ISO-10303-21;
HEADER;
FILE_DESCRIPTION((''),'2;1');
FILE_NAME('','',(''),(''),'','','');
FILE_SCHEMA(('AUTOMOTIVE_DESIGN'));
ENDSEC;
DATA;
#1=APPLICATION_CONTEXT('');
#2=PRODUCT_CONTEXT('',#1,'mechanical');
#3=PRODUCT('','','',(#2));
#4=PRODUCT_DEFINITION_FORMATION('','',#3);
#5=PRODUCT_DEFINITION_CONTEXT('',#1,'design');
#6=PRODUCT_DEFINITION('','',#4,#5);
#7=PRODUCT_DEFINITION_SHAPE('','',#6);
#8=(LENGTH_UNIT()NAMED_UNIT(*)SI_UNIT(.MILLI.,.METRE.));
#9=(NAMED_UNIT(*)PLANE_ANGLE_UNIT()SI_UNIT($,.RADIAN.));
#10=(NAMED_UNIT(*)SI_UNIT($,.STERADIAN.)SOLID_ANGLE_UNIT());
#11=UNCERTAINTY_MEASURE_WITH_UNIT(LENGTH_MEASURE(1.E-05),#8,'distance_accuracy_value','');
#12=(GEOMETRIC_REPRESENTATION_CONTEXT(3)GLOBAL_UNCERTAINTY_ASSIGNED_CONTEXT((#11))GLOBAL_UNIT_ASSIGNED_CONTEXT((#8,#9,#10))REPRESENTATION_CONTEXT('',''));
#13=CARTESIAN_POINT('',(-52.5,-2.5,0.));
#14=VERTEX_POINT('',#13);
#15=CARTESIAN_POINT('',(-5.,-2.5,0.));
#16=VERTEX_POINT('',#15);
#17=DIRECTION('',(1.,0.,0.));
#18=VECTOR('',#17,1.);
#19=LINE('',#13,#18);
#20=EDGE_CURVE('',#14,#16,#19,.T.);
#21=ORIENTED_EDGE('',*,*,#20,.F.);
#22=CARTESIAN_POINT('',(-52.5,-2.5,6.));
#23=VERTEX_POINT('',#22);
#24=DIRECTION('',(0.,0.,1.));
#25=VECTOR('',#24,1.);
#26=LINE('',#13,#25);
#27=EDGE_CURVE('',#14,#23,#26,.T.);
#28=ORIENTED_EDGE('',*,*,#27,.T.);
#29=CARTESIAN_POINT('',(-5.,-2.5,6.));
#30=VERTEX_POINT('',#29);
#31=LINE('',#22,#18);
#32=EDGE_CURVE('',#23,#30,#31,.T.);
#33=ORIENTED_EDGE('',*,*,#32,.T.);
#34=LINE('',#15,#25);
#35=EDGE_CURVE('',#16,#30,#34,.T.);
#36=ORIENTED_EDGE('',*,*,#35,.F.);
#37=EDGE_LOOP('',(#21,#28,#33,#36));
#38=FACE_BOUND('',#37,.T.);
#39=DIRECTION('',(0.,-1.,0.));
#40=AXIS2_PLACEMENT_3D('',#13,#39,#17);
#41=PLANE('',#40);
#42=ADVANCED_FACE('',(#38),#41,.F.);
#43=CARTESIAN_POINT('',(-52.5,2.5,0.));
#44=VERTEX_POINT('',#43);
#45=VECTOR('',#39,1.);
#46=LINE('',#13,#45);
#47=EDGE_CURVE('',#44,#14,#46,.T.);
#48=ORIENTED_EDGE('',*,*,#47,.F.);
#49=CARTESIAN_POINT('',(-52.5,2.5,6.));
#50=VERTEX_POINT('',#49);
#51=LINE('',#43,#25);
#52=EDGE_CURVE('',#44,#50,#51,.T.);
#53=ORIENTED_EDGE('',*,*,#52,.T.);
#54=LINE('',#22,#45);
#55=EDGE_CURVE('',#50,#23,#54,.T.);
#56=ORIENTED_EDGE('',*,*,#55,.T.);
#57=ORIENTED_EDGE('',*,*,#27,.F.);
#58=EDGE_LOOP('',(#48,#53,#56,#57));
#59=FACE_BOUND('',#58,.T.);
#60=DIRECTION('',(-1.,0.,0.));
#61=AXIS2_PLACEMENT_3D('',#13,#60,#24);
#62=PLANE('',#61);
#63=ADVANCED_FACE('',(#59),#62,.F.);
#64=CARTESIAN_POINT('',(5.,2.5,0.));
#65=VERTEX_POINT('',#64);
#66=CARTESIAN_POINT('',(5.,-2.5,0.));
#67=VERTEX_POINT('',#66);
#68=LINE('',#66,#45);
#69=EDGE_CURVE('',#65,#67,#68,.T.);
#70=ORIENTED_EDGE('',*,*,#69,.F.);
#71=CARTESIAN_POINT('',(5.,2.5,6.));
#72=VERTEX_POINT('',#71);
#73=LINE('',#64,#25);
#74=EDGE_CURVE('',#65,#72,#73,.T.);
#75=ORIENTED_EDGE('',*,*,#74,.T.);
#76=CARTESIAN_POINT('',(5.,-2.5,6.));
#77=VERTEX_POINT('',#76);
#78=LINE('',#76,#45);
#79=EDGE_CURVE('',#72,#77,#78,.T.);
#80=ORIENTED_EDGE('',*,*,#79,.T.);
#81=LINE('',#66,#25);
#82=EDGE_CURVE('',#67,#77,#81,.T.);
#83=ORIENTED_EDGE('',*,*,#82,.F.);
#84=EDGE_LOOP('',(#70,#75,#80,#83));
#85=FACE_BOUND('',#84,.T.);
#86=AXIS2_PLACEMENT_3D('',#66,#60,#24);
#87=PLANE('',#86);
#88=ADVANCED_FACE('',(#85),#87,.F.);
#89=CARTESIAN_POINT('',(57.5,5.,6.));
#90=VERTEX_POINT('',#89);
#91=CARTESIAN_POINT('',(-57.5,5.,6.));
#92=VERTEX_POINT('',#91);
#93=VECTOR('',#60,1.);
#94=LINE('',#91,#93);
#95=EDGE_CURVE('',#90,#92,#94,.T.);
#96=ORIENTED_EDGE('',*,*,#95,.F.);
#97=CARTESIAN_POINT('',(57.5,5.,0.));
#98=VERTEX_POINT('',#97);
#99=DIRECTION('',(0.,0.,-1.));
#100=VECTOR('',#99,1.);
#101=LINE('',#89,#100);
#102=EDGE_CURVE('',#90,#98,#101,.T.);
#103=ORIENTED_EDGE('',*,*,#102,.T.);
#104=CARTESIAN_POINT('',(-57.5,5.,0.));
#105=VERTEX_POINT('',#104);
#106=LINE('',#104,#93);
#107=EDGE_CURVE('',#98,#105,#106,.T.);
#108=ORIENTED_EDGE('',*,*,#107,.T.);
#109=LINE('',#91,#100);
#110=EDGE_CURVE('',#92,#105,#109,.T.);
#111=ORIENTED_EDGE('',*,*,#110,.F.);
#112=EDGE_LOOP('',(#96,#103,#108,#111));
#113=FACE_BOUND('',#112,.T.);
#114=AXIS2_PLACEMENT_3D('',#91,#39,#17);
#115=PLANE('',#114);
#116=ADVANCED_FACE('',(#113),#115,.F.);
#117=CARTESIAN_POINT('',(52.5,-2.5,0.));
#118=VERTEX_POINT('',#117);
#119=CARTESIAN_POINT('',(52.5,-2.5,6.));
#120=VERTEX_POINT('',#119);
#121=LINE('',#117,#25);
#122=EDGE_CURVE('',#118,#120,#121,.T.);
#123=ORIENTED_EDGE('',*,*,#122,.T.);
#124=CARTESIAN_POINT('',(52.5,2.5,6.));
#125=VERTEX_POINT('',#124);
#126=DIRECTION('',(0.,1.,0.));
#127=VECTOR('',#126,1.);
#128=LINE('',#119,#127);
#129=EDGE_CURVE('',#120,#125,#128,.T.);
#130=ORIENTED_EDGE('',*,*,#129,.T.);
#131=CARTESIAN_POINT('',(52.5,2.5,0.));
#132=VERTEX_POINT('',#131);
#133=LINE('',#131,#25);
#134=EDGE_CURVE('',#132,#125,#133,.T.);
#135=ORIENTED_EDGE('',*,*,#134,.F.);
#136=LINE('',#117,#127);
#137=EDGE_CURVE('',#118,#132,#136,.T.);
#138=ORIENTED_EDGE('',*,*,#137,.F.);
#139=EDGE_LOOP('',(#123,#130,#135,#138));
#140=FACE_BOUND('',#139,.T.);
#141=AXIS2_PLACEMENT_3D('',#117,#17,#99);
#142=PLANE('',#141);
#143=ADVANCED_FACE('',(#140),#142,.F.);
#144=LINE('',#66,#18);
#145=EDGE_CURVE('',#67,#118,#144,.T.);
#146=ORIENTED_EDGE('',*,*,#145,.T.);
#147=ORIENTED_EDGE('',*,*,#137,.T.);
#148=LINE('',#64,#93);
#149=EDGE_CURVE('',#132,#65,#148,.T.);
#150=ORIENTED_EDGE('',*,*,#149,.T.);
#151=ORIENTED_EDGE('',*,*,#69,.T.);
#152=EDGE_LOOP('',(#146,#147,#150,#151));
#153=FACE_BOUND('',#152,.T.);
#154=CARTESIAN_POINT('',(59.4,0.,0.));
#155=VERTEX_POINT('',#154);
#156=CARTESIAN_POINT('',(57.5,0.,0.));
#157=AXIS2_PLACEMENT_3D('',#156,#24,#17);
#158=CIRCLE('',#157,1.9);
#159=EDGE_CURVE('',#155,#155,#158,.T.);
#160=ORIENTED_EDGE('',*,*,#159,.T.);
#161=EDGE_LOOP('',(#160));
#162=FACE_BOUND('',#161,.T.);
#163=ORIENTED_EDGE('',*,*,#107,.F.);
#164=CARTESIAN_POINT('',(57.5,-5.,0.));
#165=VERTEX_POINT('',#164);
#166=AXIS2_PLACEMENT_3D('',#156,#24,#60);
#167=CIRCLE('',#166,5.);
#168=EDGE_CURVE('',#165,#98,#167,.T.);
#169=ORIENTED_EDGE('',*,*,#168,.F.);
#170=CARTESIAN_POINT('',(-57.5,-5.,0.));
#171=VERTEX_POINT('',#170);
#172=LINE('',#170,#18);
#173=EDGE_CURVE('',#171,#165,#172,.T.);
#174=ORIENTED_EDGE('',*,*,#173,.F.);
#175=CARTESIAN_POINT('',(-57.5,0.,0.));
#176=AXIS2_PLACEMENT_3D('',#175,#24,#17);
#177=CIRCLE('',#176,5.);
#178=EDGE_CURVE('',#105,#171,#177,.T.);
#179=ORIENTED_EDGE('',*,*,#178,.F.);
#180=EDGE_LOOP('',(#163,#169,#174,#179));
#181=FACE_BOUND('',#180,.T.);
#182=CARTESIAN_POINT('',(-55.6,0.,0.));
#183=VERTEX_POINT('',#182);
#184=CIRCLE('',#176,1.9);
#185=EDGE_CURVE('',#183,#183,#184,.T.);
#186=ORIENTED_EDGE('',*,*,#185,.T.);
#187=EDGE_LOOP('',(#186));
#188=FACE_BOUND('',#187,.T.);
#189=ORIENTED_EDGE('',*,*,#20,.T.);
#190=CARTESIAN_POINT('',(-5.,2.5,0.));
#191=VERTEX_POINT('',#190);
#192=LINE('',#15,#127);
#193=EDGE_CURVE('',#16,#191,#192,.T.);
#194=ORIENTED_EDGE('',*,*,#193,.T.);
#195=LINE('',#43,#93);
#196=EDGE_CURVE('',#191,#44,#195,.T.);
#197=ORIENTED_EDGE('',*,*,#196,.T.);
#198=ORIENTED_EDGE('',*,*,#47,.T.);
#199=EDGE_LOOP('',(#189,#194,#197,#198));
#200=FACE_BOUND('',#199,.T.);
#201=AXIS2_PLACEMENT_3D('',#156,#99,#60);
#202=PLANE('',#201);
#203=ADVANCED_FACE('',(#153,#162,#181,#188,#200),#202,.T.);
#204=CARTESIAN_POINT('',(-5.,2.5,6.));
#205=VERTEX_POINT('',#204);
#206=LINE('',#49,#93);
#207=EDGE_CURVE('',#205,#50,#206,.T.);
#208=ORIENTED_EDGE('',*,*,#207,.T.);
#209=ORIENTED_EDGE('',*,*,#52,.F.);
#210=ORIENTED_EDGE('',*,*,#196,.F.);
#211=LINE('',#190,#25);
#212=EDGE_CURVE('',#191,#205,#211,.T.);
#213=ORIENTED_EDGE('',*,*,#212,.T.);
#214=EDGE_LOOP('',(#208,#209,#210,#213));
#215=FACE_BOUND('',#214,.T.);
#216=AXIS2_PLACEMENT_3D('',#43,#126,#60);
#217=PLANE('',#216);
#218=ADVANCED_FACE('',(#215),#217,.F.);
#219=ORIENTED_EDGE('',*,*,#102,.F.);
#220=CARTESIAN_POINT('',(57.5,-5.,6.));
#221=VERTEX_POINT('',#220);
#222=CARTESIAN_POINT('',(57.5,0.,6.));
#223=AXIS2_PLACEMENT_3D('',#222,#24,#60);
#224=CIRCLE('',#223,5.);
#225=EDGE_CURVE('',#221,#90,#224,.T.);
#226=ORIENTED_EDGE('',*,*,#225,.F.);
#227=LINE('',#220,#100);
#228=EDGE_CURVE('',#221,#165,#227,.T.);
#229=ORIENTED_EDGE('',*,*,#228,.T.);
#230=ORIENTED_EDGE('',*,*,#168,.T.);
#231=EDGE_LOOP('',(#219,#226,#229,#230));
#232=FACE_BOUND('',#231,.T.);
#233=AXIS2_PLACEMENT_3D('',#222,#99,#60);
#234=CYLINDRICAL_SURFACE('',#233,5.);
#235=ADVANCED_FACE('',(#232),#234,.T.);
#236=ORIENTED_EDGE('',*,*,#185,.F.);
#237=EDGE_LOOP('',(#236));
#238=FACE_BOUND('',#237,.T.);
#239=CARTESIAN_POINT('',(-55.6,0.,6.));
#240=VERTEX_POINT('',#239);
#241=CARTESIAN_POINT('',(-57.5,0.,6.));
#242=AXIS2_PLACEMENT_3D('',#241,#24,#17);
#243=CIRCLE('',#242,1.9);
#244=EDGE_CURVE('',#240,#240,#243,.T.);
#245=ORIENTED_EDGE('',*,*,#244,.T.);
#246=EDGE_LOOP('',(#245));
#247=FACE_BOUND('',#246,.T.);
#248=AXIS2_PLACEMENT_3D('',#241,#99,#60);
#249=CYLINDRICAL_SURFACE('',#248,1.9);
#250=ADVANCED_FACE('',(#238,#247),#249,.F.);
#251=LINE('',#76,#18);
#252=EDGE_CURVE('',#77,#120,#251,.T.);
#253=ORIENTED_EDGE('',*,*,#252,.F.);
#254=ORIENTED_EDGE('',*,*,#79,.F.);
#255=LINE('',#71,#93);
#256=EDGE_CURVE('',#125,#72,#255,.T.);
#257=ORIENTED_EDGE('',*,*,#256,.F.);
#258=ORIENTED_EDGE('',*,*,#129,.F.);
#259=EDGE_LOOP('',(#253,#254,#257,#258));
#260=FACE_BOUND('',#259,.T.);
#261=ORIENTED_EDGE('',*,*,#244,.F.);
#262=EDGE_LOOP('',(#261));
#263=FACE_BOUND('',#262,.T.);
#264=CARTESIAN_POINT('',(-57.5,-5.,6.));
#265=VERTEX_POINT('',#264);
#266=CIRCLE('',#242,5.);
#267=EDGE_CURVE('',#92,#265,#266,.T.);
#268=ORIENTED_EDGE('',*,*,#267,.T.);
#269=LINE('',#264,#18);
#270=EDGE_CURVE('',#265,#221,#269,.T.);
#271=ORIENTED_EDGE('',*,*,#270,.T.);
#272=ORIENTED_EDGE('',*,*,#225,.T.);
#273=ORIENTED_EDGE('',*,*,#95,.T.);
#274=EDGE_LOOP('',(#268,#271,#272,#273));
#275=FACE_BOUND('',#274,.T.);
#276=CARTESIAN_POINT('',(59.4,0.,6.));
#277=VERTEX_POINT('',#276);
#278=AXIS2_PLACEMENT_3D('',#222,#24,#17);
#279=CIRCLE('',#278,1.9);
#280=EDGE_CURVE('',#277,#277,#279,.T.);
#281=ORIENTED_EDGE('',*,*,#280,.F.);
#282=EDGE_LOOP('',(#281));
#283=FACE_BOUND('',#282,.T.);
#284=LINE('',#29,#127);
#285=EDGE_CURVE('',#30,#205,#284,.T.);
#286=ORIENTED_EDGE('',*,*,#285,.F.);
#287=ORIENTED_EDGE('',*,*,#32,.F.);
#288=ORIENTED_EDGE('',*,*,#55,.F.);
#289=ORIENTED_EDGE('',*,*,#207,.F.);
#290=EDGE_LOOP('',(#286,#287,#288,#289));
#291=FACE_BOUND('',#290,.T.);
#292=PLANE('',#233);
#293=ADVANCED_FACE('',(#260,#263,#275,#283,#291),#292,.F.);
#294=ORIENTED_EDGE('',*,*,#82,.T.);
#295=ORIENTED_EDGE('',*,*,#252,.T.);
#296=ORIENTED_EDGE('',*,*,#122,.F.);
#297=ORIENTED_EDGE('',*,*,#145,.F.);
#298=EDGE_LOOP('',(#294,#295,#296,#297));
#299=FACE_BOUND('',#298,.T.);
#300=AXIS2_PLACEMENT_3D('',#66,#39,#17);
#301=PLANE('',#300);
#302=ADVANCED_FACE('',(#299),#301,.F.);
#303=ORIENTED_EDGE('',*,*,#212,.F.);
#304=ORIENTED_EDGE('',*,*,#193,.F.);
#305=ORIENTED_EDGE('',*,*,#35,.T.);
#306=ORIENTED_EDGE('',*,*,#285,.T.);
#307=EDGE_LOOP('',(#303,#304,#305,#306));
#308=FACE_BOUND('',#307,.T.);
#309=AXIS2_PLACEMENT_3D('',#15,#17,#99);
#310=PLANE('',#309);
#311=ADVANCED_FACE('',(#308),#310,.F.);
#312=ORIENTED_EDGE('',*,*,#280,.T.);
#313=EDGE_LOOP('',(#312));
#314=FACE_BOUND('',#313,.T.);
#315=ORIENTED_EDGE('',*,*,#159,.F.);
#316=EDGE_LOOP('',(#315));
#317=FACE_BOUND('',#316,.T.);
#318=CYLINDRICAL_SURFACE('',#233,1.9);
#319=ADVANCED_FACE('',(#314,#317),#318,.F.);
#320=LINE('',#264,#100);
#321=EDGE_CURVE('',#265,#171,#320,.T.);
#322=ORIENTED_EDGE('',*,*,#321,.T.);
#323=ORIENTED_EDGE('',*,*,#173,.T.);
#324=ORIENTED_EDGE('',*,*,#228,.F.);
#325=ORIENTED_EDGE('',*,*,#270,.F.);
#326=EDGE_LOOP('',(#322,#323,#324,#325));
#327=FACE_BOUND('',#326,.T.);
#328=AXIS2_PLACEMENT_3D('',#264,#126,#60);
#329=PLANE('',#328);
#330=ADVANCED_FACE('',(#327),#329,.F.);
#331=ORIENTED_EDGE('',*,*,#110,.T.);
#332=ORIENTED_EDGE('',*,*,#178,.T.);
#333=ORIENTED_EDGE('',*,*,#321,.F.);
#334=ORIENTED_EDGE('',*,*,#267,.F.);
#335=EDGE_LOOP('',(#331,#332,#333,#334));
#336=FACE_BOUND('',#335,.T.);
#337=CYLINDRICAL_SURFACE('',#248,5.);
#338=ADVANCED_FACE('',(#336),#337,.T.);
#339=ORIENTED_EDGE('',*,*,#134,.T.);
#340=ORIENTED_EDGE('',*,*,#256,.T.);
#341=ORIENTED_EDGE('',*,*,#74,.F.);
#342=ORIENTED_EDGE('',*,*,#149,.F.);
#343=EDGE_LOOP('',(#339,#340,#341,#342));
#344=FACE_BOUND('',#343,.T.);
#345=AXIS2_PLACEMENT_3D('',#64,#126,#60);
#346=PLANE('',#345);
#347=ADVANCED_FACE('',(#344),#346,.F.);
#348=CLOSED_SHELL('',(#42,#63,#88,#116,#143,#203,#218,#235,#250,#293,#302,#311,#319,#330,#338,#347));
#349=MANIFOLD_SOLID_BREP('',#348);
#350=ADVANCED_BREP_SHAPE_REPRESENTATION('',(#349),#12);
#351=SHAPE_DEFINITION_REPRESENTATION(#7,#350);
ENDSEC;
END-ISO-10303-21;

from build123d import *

# Parameters (mm, degrees)
SKETCH1_R           = 1.9
BOSS_EXTRUDE1_DEPTH = 6
SKETCH2_W           = 47.5
SKETCH2_H           = 5
CUT_EXTRUDE1_DEPTH  = 63.98610958


with BuildPart() as part:
    # Sketch1 → Boss-Extrude1 (new body)
    with BuildSketch(Plane.XY):
        with BuildLine():
            Line((-57.5, 5), (57.5, 5))
            ThreePointArc((57.5, 5), (62.5, 0), (57.5, -5))
            Line((57.5, -5), (-57.5, -5))
            ThreePointArc((-57.5, -5), (-62.5, 0), (-57.5, 5))
        make_face()
        with Locations((-57.5, 0)):
            Circle(SKETCH1_R, mode=Mode.SUBTRACT)
        with Locations((57.5, 0)):
            Circle(SKETCH1_R, mode=Mode.SUBTRACT)
    extrude(amount=BOSS_EXTRUDE1_DEPTH)

    # Sketch2 → Cut-Extrude1 (cut, through all)
    with BuildSketch(Plane.XY.offset(6)):
        with Locations((-28.75, 0)):
            Rectangle(SKETCH2_W, SKETCH2_H)
        with Locations((28.75, 0)):
            Rectangle(SKETCH2_W, SKETCH2_H)
    extrude(amount=-CUT_EXTRUDE1_DEPTH, mode=Mode.SUBTRACT)


solid = part.part
